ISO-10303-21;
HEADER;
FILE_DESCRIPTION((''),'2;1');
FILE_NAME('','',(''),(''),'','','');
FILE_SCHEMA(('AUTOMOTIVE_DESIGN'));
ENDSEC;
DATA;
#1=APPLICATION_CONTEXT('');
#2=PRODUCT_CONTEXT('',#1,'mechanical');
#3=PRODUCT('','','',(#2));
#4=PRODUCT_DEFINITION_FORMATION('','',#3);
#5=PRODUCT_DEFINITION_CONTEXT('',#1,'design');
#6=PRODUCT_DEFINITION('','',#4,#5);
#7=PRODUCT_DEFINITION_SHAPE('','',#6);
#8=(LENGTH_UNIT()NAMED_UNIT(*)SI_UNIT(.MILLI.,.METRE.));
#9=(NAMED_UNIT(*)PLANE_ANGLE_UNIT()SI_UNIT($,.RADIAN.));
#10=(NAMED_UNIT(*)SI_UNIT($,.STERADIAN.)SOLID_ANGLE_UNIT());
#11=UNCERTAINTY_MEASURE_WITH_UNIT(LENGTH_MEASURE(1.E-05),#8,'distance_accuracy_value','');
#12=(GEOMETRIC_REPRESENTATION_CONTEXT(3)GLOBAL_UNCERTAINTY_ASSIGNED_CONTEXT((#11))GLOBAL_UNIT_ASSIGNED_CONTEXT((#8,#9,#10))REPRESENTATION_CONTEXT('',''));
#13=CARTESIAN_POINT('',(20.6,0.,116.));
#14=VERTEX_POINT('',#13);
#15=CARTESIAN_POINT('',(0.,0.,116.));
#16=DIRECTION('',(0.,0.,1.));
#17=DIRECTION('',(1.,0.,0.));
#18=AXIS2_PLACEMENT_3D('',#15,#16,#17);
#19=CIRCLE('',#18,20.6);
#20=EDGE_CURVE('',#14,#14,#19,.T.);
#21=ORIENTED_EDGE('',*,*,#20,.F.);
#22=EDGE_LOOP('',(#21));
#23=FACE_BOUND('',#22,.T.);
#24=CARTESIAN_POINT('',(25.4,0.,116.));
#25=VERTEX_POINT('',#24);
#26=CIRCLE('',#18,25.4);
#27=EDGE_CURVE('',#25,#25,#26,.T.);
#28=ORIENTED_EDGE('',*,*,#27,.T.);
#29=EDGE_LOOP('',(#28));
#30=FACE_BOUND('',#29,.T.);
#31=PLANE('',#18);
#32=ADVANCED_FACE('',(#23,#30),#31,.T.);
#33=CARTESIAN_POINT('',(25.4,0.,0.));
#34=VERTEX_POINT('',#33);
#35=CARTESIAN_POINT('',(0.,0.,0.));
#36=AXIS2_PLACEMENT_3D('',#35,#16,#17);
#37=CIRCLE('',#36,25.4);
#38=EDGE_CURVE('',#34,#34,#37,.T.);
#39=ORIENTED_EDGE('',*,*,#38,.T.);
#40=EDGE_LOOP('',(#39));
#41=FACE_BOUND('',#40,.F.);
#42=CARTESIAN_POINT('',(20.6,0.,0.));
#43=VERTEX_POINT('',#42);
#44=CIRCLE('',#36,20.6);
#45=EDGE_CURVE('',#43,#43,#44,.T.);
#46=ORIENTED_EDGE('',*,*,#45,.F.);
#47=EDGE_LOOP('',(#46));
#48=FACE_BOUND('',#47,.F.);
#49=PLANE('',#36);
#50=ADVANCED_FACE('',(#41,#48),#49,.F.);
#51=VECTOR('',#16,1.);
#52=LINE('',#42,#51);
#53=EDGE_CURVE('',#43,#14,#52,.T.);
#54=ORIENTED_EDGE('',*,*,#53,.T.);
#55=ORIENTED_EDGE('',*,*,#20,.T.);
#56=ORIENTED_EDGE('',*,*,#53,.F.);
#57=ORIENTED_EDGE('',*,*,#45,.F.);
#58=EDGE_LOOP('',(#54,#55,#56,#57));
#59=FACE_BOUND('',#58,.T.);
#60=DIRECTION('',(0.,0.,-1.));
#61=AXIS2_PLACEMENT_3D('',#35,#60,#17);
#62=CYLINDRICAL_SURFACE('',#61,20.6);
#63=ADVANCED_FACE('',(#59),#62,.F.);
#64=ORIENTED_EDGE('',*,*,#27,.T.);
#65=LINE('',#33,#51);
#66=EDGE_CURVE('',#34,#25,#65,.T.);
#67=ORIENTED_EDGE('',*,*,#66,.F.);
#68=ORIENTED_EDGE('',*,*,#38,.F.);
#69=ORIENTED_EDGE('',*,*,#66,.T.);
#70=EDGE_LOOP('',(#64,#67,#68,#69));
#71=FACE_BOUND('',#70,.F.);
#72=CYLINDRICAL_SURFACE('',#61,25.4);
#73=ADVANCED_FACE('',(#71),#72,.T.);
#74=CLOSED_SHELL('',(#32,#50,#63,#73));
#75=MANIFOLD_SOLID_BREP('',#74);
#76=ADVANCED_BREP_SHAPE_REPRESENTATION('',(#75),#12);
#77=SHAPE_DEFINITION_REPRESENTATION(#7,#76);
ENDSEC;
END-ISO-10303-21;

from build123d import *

# Parameters (mm, degrees)
SKETCH_R   = 25.4
SKETCH_R_2 = 20.6
PAD_DEPTH  = 116


with BuildPart() as part:
    # Sketch → Pad (new body)
    with BuildSketch(Plane.XY):
        Circle(SKETCH_R)
        Circle(SKETCH_R_2, mode=Mode.SUBTRACT)
    extrude(amount=PAD_DEPTH)


solid = part.part
